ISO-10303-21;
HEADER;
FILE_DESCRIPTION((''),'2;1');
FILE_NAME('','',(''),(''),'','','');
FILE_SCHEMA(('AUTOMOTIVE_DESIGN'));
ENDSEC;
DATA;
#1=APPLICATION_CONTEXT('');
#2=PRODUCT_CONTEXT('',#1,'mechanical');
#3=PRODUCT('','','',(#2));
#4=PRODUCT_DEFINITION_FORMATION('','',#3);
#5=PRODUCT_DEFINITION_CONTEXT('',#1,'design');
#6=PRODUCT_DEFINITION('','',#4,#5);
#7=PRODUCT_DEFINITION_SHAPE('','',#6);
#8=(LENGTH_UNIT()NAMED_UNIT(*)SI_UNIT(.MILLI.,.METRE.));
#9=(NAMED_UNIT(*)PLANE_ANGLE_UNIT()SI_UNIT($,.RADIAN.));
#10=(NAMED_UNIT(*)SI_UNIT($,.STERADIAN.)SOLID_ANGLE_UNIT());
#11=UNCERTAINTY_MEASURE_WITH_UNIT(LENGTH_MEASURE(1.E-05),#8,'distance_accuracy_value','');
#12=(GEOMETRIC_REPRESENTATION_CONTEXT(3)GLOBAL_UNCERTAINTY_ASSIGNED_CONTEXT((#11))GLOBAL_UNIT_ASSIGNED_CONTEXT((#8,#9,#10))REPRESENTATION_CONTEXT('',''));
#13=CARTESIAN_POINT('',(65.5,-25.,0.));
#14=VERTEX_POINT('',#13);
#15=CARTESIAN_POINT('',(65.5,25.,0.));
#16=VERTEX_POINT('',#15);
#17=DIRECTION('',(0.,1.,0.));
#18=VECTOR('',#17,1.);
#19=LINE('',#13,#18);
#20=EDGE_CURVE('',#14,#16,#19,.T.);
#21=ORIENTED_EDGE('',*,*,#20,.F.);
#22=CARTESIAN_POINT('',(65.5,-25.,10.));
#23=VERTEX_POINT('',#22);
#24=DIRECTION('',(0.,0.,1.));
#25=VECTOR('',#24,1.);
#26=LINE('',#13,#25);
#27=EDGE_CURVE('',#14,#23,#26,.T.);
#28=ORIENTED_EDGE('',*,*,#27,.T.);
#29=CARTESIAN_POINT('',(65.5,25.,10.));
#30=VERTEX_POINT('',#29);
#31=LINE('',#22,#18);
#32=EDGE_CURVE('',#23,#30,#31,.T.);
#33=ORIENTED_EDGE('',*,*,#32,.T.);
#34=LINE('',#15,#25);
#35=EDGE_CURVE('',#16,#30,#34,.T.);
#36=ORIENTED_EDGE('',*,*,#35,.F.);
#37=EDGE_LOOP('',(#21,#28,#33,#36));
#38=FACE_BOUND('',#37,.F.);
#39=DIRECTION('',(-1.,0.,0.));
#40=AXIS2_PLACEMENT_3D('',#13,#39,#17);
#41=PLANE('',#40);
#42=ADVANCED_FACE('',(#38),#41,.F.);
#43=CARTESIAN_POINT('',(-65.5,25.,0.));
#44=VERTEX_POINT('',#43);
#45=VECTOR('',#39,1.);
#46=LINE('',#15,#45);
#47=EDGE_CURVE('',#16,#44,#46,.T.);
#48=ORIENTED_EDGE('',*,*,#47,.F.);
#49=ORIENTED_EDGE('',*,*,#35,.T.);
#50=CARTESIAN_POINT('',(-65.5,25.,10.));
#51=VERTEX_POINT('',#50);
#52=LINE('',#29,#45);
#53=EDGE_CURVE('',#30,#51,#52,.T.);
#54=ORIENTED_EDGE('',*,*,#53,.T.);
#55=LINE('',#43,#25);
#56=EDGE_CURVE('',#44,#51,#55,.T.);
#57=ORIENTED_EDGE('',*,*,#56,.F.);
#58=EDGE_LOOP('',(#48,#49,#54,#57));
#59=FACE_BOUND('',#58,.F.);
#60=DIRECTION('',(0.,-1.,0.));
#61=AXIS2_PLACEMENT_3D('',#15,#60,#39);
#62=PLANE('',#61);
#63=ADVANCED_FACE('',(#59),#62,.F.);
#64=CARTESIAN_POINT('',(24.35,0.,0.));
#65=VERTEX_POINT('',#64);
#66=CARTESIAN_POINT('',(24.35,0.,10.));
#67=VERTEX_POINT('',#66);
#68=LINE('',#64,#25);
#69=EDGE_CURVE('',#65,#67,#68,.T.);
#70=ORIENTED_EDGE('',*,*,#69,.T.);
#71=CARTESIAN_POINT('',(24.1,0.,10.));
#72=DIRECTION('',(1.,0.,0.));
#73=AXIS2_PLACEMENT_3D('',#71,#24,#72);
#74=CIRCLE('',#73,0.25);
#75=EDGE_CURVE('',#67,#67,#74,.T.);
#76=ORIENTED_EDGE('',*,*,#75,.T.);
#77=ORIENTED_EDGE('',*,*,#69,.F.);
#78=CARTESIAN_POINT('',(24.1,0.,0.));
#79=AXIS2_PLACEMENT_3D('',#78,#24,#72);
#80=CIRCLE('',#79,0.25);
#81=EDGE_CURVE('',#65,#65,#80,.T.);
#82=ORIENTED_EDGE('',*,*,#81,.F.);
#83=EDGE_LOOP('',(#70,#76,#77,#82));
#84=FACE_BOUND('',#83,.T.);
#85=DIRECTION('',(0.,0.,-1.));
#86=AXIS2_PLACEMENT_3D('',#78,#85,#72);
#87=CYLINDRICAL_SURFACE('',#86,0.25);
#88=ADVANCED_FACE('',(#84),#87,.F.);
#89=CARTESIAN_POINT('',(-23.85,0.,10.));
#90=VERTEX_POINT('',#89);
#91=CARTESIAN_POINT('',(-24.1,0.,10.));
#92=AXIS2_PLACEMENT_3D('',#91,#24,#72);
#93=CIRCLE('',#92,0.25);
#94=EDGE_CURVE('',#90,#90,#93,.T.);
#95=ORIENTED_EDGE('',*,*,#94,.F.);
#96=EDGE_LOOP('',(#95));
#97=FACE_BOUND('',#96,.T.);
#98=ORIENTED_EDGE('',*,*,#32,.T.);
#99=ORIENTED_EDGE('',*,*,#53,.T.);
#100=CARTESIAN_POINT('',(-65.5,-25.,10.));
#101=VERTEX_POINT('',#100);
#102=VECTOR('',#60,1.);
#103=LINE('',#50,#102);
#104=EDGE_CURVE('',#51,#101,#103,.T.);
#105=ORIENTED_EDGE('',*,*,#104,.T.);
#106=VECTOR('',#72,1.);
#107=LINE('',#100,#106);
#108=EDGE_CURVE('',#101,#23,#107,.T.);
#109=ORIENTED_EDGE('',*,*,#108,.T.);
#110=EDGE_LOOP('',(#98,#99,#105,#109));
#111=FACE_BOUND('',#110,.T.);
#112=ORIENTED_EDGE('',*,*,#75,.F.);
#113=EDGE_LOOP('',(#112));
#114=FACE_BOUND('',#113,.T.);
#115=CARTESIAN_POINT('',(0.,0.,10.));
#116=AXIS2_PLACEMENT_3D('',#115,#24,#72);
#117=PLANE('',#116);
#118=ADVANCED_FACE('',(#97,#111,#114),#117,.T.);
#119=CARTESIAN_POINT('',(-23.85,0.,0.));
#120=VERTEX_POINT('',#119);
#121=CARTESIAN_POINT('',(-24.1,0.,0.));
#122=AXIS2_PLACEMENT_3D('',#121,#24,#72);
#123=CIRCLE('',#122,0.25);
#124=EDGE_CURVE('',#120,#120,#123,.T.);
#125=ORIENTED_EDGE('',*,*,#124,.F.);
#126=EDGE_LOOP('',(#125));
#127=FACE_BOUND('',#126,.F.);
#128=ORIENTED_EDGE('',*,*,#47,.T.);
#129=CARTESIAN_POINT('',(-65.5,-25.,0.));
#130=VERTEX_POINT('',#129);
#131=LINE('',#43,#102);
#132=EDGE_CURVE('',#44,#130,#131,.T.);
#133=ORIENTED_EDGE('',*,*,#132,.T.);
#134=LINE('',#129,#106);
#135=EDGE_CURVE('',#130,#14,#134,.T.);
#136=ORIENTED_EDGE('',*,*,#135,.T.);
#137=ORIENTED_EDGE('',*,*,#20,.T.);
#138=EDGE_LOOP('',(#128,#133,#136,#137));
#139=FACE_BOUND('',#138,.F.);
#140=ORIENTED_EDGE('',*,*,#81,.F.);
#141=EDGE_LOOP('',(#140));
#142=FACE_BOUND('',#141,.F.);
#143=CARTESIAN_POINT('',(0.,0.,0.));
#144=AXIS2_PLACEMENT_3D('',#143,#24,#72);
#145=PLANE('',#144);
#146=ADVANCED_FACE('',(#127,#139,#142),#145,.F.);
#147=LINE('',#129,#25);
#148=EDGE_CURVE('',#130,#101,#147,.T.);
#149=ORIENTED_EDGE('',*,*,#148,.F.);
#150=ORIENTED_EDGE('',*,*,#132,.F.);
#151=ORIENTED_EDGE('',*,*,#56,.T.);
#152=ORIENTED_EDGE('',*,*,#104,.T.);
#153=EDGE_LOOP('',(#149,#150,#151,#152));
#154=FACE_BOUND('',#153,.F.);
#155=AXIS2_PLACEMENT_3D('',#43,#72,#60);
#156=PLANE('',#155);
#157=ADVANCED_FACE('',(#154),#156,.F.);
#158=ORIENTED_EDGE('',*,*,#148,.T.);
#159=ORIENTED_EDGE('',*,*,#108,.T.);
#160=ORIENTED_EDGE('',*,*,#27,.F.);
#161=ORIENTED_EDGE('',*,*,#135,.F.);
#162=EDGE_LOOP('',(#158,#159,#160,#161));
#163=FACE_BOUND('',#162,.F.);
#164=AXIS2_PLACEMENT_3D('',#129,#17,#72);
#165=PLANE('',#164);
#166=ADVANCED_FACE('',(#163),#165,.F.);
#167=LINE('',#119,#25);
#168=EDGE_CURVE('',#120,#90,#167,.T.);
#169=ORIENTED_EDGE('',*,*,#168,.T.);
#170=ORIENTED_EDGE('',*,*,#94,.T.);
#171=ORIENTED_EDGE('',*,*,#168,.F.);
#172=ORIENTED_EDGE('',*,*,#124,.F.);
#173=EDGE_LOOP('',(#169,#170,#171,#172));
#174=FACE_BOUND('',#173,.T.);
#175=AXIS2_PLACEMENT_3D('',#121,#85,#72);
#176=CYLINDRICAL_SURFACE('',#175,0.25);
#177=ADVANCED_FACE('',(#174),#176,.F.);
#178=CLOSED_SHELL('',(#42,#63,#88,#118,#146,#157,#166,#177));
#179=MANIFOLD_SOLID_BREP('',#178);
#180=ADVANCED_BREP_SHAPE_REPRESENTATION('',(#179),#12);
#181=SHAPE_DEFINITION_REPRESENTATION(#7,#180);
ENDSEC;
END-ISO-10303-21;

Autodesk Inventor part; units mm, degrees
ref_plane "YZ Plane" through (0, 0, 0) normal (1, 0, 0) x (0, 1, 0)
ref_plane "XZ Plane" through (0, 0, 0) normal (0, 1, 0) x (-1, 0, 0)
ref_plane "XY Plane" through (0, 0, 0) normal (0, 0, 1) x (1, 0, 0)
sketch "Sketch1" plane through (0, 0, 0) normal (0, 0, 1) x (1, 0, 0)
  line L0 (65.5, 25) -> (-65.5, 25)
  line L1 (-65.5, 25) -> (-65.5, -25)
  line L2 (-65.5, -25) -> (65.5, -25)
  line L3 (65.5, -25) -> (65.5, 25)
  circle A0 centre (-24.1, 0) radius 0.25
  circle A1 centre (24.1, 0) radius 0.25
  dimension "d0" = 131
  dimension "d1" = 50
  dimension "d4" = 0.5
  dimension "d5" = 0.5
extrude "Extrusion1" add sketch "Sketch1" along normal blind 10
properties part number "prepazka_bez_loziska-sablona"
